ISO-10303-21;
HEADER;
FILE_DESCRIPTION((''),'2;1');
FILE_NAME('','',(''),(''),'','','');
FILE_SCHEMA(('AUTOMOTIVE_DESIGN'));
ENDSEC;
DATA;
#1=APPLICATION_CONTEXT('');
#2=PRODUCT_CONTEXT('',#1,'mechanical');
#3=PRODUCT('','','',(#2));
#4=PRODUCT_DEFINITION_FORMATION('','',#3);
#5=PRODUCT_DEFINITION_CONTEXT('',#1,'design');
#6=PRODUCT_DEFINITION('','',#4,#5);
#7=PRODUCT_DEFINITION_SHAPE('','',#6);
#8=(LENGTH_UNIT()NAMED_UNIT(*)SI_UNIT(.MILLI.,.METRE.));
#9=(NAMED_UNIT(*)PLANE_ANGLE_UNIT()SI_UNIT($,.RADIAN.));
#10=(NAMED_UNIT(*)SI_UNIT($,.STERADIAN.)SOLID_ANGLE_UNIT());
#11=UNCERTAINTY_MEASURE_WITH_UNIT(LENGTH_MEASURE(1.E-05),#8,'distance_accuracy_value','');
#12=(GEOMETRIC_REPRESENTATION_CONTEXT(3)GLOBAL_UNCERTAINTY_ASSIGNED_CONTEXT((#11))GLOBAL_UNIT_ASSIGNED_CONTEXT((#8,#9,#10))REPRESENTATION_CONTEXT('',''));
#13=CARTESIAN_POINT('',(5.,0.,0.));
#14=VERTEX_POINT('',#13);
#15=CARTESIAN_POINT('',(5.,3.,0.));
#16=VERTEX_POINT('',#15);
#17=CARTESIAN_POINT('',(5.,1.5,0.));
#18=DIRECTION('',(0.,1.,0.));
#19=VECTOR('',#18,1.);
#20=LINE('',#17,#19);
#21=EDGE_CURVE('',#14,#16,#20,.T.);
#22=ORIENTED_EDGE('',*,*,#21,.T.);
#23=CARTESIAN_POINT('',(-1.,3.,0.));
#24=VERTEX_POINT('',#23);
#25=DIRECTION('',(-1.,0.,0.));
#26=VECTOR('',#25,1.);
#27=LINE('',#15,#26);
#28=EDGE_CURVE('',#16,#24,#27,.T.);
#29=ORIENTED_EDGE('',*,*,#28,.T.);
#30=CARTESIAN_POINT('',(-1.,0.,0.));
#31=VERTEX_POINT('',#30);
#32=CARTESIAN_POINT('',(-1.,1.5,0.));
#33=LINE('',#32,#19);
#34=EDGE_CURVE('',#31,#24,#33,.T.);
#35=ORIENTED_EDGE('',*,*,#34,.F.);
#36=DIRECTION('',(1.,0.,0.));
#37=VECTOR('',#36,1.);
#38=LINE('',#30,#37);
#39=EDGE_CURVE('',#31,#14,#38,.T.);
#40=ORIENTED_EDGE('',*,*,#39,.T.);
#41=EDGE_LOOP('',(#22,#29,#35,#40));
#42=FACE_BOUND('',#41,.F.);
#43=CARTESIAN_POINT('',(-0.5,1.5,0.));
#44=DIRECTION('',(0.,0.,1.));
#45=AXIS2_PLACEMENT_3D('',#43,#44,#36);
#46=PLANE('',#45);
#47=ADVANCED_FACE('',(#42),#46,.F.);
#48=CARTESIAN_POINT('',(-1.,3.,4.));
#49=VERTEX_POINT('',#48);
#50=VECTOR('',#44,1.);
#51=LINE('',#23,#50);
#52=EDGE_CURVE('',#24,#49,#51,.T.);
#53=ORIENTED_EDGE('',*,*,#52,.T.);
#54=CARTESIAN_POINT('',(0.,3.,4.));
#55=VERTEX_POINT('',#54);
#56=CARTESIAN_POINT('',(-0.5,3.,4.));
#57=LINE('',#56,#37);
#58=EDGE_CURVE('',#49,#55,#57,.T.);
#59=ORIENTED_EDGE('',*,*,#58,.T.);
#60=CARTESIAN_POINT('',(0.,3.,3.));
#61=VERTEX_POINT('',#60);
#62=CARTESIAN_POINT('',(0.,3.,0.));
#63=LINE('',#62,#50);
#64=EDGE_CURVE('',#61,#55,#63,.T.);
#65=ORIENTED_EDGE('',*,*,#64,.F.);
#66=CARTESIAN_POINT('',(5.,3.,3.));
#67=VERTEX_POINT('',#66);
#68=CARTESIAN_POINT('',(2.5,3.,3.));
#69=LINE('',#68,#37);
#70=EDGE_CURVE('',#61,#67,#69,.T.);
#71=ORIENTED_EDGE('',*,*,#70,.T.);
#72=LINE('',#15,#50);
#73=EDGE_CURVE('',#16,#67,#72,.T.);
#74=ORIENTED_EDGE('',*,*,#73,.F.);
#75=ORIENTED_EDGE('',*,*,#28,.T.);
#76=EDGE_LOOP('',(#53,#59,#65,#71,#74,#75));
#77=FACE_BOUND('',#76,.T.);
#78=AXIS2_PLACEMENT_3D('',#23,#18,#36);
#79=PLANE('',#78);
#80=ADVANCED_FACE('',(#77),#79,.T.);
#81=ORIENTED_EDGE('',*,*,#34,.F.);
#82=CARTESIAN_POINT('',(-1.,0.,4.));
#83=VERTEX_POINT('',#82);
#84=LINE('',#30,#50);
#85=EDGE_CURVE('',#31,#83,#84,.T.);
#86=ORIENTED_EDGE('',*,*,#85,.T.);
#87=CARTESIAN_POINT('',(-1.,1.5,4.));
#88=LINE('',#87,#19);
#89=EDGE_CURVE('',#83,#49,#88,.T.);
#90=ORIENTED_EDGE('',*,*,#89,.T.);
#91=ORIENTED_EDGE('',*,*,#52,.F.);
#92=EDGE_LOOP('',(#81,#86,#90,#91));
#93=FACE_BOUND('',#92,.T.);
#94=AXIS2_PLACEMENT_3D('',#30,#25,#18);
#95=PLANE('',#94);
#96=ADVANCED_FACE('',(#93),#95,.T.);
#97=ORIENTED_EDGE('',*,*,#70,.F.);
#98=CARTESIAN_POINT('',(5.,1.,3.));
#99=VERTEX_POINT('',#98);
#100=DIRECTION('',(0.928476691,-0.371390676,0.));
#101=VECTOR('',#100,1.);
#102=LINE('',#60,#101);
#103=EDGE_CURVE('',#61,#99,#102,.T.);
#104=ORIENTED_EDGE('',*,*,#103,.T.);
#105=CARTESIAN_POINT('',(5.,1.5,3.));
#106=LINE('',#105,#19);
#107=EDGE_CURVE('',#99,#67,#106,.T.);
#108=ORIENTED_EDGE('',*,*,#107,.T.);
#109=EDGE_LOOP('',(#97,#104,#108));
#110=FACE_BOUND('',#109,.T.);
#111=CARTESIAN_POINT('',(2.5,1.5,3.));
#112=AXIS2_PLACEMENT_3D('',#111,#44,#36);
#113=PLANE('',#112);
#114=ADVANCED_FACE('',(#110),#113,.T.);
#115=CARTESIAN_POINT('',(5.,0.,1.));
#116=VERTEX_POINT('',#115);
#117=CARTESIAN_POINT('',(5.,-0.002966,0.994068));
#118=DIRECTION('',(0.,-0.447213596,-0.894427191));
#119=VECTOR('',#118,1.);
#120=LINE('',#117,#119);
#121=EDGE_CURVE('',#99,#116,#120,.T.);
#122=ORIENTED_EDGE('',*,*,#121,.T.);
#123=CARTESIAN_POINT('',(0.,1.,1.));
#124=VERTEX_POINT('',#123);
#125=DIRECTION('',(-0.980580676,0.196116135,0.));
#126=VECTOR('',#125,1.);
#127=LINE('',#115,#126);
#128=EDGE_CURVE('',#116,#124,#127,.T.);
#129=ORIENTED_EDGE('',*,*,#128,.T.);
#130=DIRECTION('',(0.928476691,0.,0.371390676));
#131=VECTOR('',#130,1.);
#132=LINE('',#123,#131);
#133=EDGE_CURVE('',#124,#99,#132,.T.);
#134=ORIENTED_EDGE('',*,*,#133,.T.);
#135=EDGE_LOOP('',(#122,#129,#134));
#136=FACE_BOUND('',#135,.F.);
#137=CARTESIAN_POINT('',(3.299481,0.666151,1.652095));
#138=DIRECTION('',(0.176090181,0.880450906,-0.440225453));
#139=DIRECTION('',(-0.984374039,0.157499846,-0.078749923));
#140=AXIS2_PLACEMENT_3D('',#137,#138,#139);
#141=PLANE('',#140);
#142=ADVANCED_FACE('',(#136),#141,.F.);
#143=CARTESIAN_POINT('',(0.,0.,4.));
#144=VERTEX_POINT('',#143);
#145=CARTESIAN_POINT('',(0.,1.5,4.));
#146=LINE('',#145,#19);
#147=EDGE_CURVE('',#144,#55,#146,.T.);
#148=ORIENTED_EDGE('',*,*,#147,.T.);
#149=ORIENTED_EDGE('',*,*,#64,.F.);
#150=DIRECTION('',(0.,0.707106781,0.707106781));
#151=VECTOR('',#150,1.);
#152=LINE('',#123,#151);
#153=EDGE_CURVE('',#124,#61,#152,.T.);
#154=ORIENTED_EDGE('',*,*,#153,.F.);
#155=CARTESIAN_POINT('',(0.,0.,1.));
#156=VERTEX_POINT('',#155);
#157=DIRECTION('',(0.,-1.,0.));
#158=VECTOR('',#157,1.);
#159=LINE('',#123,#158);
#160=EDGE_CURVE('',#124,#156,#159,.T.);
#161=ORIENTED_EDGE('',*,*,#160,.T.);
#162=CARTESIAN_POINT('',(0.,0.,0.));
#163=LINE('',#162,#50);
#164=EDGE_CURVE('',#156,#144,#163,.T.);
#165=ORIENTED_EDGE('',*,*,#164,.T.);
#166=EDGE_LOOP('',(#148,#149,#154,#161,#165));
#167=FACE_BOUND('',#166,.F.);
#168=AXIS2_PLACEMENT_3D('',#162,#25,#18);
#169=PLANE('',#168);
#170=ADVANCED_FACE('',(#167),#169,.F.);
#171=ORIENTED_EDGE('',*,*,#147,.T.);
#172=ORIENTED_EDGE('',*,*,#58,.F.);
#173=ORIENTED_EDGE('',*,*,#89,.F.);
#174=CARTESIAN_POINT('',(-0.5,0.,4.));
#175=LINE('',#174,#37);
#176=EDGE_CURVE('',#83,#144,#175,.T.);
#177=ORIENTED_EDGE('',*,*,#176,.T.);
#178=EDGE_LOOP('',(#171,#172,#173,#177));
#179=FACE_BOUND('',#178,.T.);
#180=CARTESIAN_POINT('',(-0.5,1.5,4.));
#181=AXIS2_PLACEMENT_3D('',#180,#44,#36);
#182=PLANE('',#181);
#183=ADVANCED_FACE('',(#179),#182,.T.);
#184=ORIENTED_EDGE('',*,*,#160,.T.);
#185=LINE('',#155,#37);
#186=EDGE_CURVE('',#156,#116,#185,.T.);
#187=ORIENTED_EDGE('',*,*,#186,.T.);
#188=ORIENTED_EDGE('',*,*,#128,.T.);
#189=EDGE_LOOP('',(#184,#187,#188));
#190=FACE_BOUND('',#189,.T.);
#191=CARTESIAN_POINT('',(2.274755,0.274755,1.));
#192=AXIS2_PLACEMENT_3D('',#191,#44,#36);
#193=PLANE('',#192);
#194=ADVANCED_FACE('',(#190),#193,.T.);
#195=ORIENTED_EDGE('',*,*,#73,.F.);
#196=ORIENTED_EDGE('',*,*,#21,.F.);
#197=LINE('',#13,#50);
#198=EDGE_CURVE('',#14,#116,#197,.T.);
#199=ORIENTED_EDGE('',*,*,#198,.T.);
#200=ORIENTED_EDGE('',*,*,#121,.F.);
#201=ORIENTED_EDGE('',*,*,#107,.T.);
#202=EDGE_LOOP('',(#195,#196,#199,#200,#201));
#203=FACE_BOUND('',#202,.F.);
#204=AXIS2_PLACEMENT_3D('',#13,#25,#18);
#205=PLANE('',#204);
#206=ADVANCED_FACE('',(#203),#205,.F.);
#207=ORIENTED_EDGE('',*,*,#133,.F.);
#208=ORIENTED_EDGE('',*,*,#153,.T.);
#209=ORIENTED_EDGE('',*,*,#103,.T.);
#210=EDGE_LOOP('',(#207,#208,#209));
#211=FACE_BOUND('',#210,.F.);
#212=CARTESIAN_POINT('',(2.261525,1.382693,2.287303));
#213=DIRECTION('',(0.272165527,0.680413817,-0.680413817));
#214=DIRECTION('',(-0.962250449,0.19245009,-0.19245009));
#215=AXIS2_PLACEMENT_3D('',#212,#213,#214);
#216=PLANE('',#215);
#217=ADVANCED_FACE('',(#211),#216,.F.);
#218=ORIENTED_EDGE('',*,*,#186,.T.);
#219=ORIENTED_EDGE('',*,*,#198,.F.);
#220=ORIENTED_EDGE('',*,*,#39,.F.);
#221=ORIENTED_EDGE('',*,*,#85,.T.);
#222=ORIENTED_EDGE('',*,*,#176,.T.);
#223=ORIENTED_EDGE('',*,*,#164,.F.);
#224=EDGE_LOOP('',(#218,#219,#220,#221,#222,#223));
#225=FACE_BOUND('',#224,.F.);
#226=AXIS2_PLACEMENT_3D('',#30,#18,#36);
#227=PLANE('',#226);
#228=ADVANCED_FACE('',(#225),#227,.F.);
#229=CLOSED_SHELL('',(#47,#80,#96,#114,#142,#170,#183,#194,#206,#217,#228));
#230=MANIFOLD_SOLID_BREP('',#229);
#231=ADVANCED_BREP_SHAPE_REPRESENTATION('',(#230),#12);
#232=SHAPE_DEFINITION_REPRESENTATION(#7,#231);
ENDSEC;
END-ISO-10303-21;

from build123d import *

# Parameters (mm, degrees)
F0_W      = 5
F0_H      = 3
F1_DEPTH  = 3
F3_DEPTH  = 2
F7_DEPTH  = 25
F10_DEPTH = 25
F11_W     = 1
F11_H     = 3
F12_DEPTH = 4


with BuildPart() as f1:
    # F0 (on Top) → F1 (new body)
    with BuildSketch(Plane.XY):
        with Locations((2.5, 1.5)):
            Rectangle(F0_W, F0_H)
    extrude(amount=F1_DEPTH)

    # F2 (on face) → F3 (cut)
    with BuildSketch(Plane.XY.offset(3)):
        Polygon((0, 1), (0, 0), (5, 0), align=None)
    extrude(amount=-F3_DEPTH, mode=Mode.SUBTRACT)

    # F6 (on 3pt) → F7 (cut)
    with BuildSketch(Plane(origin=(0.0775193798, 0.3875968992, -0.1937984496), x_dir=(-0.9843740387, 0.1574998462, -0.0787499231), z_dir=(0.1760901813, 0.8804509063, -0.4402254532))):
        Polygon((-5.0006201166, 0.894427191), (0.0787499231, 1.3416407865), (-5.0006201166, 3.1304951685), (-5.7256841101, 3.1304951685), (-5.7256841101, 0.894427191), align=None)
    extrude(amount=-F7_DEPTH, mode=Mode.SUBTRACT)

    # F9 (on 3pt) → F10 (cut)
    with BuildSketch(Plane(origin=(0, 0, 0), x_dir=(-0.9622504486, 0.1924500897, -0.1924500897), z_dir=(0.272165527, 0.6804138174, -0.6804138174))):
        Polygon((0, 4.2426406871), (-5.1961524227, 2.8284271247), (-5.4761668739, 1.7995883358), (0, 1.4142135624), align=None)
    extrude(amount=-F10_DEPTH, mode=Mode.SUBTRACT)

    # F11 (on Top) → F12 (join)
    with BuildSketch(Plane.XY):
        with Locations((-0.5, 1.5)):
            Rectangle(F11_W, F11_H)
    extrude(amount=F12_DEPTH)


solid = f1.part
